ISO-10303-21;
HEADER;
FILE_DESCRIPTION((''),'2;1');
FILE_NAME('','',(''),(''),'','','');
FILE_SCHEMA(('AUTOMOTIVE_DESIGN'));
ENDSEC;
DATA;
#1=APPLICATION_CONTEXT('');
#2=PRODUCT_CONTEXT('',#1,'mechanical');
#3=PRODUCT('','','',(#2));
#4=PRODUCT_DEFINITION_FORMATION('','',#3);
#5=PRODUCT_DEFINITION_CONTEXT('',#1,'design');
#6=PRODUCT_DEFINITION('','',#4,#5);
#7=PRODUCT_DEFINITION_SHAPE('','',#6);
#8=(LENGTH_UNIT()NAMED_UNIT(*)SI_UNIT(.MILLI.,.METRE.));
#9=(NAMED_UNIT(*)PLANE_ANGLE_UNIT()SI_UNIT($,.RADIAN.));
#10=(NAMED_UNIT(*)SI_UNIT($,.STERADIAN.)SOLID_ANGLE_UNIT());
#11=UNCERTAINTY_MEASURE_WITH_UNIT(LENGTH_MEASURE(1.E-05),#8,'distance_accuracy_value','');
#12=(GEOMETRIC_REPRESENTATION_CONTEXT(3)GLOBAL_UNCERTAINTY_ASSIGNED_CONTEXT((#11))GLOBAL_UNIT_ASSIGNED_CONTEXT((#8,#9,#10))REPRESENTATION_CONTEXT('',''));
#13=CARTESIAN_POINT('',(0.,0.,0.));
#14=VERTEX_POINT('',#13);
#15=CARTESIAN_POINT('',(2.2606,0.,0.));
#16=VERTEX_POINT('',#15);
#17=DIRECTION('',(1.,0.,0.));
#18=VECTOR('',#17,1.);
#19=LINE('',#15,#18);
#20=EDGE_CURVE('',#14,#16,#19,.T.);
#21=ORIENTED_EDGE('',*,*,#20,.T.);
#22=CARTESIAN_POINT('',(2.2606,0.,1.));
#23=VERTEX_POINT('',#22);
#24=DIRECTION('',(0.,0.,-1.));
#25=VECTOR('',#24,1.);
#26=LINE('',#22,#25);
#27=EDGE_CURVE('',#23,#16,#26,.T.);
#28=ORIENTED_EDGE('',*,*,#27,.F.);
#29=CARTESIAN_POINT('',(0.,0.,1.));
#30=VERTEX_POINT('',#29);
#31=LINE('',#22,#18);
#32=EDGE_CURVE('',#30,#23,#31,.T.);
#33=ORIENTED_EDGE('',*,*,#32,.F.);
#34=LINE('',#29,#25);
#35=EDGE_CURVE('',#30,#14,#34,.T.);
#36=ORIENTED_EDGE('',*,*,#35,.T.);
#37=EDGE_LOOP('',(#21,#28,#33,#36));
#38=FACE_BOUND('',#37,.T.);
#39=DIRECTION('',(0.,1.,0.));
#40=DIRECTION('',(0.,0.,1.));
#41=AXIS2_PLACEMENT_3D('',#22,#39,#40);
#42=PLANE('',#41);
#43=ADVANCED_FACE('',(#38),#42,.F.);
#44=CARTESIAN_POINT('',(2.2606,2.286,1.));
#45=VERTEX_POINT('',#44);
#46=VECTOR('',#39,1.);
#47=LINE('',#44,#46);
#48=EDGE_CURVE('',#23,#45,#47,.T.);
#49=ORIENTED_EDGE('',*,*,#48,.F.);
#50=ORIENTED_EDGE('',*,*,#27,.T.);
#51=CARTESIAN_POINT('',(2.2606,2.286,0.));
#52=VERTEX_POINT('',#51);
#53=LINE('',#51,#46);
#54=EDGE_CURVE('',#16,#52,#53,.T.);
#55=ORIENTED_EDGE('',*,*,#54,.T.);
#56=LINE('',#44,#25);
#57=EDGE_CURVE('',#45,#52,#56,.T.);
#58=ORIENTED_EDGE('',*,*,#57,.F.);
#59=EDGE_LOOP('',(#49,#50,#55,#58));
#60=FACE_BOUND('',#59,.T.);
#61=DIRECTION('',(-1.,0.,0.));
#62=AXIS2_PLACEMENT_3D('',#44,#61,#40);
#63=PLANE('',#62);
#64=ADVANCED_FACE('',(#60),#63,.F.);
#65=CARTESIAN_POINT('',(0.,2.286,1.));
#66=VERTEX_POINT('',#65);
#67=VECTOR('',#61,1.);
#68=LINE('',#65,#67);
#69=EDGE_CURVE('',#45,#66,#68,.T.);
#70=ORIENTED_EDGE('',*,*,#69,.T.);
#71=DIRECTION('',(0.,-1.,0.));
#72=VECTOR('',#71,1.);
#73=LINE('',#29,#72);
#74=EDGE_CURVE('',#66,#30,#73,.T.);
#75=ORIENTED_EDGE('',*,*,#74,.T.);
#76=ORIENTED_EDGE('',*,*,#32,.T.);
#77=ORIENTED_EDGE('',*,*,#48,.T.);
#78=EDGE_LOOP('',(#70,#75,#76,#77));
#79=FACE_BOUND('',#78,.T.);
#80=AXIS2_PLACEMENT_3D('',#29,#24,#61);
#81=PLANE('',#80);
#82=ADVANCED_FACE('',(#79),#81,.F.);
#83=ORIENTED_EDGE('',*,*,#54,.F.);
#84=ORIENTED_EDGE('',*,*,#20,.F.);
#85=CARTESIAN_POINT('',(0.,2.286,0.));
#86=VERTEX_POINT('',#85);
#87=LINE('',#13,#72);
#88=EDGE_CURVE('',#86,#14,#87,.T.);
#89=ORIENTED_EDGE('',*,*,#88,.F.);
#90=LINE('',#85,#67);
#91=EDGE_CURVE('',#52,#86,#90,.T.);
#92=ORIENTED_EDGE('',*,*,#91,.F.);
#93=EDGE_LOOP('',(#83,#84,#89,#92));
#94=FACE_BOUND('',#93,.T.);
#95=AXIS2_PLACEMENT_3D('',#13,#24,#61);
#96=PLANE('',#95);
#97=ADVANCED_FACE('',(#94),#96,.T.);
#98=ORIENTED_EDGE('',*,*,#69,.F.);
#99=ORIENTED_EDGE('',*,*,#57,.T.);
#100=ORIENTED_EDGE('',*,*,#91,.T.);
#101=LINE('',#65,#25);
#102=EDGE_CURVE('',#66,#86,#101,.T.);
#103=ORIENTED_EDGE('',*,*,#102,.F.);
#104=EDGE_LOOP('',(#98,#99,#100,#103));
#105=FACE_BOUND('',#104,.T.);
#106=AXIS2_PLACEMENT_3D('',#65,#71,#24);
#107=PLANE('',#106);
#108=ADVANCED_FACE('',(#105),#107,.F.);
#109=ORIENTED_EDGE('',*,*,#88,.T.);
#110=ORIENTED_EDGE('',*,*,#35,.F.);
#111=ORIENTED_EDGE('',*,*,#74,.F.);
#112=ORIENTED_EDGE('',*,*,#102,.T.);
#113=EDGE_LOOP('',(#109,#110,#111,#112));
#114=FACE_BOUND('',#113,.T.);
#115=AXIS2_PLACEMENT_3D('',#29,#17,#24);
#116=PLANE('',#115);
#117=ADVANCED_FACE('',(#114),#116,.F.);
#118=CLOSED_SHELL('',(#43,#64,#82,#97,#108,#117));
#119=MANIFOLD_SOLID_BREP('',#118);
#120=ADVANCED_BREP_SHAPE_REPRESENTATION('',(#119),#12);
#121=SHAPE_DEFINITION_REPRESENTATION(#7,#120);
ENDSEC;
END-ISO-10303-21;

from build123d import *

# Parameters (mm, degrees)
SKETCH1_W               = 2.2606
SKETCH1_H               = 2.286
COMPONENT_OUTLINE_DEPTH = 1


with BuildPart() as part:
    # Sketch1 → Component_Outline (new body)
    with BuildSketch(Plane.XY):
        with Locations((1.1303, 1.143)):
            Rectangle(SKETCH1_W, SKETCH1_H)
    extrude(amount=COMPONENT_OUTLINE_DEPTH)


solid = part.part
